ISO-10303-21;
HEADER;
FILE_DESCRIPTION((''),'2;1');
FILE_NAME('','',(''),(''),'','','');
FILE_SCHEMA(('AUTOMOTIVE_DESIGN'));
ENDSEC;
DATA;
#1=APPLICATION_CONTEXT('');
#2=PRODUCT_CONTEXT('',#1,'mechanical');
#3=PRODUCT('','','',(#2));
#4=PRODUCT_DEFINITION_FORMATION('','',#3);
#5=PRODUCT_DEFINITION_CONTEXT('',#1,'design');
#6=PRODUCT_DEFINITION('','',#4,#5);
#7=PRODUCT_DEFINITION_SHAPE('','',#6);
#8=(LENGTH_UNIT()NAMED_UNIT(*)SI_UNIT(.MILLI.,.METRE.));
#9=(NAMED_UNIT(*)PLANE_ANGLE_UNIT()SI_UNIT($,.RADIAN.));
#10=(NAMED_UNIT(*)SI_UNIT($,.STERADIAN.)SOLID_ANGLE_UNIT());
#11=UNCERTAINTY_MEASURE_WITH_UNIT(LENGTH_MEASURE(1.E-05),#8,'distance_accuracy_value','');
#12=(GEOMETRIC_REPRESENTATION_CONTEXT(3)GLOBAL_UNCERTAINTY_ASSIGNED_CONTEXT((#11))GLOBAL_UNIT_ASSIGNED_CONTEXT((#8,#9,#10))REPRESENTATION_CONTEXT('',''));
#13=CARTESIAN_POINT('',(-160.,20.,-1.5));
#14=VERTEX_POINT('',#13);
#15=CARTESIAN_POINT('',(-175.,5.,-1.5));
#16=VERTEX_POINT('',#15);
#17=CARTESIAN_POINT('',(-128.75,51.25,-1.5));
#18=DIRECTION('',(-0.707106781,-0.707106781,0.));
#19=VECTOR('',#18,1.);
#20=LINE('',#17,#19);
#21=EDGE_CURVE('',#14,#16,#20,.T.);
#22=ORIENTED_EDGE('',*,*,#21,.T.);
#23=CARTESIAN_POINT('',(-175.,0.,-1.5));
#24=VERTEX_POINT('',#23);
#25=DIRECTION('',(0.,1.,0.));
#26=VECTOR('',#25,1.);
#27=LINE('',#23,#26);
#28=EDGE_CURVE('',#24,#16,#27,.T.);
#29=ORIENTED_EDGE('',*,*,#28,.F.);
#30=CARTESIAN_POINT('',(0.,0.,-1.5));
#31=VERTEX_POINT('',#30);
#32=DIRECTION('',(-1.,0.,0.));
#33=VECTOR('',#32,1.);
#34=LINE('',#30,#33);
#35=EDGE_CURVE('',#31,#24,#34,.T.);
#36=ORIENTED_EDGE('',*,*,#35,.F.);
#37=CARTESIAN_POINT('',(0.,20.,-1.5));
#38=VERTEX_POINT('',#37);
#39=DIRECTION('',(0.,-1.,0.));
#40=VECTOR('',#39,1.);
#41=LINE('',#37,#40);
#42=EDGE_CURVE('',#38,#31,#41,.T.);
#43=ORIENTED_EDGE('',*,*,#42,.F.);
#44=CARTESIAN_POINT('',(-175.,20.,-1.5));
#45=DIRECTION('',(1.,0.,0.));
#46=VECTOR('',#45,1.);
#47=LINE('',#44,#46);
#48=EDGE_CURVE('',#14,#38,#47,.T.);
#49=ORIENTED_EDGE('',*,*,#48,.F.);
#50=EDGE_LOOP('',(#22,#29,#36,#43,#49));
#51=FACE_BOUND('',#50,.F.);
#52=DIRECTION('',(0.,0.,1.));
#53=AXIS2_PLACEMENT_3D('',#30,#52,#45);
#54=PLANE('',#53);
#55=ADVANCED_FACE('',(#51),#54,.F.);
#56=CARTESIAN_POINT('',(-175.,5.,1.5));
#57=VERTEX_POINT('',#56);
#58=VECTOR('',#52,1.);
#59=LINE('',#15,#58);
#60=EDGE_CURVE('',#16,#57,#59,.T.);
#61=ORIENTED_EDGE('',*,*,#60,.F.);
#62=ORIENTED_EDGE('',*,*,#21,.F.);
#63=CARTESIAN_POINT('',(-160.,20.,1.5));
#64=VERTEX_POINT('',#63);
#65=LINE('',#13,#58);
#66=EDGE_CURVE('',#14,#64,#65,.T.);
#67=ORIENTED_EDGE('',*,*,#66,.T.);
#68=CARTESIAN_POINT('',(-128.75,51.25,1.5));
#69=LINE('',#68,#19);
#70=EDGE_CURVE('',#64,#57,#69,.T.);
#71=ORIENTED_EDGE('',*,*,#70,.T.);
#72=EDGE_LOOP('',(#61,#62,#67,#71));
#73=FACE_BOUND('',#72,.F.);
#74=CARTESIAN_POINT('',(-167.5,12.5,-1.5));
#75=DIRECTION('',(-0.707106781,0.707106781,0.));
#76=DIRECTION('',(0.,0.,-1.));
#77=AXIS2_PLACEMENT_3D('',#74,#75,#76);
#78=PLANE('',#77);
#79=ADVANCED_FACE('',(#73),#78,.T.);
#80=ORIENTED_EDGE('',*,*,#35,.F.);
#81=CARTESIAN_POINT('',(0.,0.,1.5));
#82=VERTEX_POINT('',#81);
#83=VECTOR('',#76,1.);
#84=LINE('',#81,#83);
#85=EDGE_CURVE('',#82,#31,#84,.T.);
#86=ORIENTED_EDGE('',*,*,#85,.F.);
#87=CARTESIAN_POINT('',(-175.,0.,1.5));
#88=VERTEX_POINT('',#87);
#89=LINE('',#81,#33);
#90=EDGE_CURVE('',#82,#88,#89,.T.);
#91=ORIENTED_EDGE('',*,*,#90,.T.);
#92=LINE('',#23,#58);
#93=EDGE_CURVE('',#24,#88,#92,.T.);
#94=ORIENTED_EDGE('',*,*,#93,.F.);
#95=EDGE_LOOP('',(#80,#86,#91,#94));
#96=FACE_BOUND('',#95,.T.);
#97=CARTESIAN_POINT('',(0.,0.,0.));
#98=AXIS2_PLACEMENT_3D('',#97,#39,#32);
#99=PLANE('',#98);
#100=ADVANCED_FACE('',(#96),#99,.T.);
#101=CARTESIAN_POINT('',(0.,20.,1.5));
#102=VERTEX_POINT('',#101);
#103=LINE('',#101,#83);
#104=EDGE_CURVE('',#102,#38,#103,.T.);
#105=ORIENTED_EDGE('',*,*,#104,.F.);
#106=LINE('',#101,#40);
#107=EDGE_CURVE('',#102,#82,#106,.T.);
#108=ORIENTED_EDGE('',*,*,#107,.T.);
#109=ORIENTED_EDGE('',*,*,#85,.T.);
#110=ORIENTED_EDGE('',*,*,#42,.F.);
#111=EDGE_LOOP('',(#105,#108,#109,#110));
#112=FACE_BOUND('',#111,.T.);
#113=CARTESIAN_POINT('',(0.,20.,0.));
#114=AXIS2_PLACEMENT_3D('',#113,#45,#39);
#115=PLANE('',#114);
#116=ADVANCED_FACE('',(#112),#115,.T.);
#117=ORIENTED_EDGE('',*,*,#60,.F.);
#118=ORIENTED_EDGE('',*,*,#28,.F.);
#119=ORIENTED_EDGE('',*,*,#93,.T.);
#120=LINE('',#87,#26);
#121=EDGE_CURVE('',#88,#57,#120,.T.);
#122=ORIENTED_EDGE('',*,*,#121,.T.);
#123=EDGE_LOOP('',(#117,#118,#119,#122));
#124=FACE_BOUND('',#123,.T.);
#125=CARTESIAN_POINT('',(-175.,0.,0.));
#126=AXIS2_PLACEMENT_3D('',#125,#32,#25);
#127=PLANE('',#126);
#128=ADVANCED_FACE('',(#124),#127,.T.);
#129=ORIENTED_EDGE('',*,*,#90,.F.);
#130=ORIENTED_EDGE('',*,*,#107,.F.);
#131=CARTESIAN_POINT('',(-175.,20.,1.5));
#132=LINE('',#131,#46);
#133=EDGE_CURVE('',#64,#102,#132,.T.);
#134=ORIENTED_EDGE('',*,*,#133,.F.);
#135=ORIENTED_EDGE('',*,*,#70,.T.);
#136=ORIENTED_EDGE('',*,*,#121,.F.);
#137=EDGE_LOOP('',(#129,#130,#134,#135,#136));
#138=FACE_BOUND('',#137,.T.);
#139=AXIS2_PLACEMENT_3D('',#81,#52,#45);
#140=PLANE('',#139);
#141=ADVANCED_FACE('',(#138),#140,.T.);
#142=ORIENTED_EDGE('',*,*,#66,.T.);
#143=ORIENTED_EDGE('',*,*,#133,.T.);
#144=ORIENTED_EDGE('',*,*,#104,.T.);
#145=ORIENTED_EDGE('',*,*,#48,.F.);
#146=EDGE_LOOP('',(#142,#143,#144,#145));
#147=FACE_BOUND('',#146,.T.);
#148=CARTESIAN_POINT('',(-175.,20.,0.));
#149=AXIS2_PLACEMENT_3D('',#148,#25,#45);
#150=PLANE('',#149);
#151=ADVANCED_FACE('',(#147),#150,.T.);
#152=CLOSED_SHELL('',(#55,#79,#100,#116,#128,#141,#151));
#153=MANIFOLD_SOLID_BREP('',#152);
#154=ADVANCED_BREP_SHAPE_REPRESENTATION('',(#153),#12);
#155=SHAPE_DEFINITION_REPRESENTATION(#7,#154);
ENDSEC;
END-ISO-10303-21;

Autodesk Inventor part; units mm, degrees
ref_plane "YZ Plane" through (0, 0, 0) normal (1, 0, 0) x (0, 1, 0)
ref_plane "XZ Plane" through (0, 0, 0) normal (0, 1, 0) x (-1, 0, 0)
ref_plane "XY Plane" through (0, 0, 0) normal (0, 0, 1) x (1, 0, 0)
sketch "Sketch1" plane through (0, 0, 0) normal (0, 0, 1) x (1, 0, 0)
  line L0 (-175, 20) -> (0, 20)
  line L1 (0, 20) -> (0, 0)
  line L2 (0, 0) -> (-175, 0)
  line L3 (-175, 0) -> (-175, 20)
  dimension "d2" = 20
  dimension "d3" = 175
extrude "Plate1" add sketch "Sketch1" along normal mid plane 3
chamfer "Chamfer1" distance 15 angle 45 1 edges at (-175, 20, 0)
equation "\"d4\" = Thickness"
equation "\"BendReliefWidth\" = Thickness"
equation "\"BendReliefDepth\" = 0.5 * Thickness"
equation "\"CornerReliefSize\" = 4 * Thickness"
equation "\"MinimumRemnant\" = 2 * Thickness"
equation "\"TransitionRadius\" = BendRadius"
equation "\"JacobiRadiusSize\" = BendRadius"
equation "\"GapSize\" = Thickness"
equation "\"Thickness\" = 3"
equation "\"BendRadius\" = 5"
properties part number "MSC 406 FLANGE COVER PLATE 500" material "Stainless Steel"
